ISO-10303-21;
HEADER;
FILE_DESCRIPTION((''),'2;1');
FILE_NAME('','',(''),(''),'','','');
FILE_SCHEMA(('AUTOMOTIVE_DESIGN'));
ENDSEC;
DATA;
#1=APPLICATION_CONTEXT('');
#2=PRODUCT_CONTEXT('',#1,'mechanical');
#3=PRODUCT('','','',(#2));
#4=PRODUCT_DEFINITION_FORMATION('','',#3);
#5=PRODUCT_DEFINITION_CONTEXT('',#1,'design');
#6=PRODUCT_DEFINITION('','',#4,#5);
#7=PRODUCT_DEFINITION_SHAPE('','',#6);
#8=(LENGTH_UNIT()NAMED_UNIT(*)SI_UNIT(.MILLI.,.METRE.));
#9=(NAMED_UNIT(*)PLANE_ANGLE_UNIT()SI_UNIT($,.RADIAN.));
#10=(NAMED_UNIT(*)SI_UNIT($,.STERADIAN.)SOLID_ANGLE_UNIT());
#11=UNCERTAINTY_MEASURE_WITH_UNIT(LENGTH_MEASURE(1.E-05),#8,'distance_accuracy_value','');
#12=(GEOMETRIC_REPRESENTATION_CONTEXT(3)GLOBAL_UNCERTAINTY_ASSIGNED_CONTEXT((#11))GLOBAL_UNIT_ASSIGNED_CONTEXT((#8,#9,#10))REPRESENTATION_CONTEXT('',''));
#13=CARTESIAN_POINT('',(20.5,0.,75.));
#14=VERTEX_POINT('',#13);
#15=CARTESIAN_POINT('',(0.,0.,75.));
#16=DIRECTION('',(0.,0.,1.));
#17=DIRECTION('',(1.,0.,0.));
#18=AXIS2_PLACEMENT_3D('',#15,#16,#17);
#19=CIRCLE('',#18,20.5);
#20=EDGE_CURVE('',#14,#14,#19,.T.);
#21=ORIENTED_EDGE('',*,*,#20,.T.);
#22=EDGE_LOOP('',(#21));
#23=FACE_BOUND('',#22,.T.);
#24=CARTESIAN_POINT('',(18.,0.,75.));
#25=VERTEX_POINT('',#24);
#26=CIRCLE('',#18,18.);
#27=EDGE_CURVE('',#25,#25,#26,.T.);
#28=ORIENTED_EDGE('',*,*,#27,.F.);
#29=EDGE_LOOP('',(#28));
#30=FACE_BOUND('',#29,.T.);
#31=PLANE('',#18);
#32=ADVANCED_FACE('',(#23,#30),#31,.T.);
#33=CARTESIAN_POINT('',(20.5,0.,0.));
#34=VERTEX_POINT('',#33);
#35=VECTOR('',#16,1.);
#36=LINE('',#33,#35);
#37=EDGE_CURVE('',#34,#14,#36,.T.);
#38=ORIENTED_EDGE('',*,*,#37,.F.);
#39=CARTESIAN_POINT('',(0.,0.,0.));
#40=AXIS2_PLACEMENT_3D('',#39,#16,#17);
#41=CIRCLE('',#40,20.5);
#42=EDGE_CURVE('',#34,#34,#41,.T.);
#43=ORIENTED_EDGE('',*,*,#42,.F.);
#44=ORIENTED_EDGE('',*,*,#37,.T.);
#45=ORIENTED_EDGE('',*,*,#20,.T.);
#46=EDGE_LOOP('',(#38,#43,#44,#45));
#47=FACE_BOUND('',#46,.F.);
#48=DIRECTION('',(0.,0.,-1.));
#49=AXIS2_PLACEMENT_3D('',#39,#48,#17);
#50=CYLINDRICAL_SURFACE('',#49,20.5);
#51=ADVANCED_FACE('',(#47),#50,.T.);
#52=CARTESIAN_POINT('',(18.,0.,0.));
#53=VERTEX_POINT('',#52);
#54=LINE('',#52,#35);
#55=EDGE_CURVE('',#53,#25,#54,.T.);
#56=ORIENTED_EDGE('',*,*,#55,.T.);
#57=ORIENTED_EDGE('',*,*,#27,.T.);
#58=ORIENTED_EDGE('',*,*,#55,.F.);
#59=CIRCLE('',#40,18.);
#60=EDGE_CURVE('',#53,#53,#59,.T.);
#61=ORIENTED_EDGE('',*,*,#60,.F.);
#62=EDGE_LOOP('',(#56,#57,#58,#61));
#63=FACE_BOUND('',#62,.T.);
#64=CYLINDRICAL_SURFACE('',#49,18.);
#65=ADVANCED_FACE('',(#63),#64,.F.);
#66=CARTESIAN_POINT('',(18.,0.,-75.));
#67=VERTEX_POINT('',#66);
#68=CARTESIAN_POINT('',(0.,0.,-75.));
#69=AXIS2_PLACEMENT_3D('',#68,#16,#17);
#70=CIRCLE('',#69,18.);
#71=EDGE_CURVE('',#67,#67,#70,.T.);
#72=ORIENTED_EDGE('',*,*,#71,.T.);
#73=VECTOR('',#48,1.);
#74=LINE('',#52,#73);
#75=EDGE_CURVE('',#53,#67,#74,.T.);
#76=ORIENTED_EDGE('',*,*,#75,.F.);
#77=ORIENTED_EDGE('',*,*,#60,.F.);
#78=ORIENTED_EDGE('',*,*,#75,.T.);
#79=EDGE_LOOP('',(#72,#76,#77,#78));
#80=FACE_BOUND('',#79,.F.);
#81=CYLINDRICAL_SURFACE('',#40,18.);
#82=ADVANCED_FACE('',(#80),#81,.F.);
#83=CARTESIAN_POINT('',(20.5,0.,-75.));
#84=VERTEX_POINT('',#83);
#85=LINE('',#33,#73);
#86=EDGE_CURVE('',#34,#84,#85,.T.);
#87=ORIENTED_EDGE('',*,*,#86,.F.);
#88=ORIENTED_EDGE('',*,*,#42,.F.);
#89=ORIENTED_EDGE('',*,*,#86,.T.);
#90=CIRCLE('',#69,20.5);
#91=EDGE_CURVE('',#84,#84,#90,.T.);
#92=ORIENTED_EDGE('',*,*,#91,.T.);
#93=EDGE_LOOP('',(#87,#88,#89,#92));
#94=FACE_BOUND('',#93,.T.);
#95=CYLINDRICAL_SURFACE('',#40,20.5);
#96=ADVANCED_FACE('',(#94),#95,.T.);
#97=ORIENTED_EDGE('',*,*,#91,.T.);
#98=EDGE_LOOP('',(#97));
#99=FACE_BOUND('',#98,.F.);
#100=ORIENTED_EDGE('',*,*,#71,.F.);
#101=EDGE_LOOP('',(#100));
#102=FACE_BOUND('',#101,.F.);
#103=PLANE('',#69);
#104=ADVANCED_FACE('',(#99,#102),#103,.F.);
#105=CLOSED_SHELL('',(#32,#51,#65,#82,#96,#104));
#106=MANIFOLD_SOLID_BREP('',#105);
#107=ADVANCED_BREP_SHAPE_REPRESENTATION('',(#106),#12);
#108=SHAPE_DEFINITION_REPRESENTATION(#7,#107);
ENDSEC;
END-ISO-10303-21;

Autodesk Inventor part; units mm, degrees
ref_plane "YZ Plane" through (0, 0, 0) normal (1, 0, 0) x (0, 1, 0)
ref_plane "XZ Plane" through (0, 0, 0) normal (0, 1, 0) x (-1, 0, 0)
ref_plane "XY Plane" through (0, 0, 0) normal (0, 0, 1) x (1, 0, 0)
sketch "Sketch1" plane through (0, 0, 0) normal (0, 0, 1) x (1, 0, 0)
  circle A0 centre (0, 0) radius 18
  circle A1 centre (0, 0) radius 20.5
  dimension "d0" = 36
  dimension "OD" = 41
extrude "Extrusion1" add sketch "Sketch1" along normal mid plane 150
properties part number "ZALC18210" material "Aluminium 7005 T6"
